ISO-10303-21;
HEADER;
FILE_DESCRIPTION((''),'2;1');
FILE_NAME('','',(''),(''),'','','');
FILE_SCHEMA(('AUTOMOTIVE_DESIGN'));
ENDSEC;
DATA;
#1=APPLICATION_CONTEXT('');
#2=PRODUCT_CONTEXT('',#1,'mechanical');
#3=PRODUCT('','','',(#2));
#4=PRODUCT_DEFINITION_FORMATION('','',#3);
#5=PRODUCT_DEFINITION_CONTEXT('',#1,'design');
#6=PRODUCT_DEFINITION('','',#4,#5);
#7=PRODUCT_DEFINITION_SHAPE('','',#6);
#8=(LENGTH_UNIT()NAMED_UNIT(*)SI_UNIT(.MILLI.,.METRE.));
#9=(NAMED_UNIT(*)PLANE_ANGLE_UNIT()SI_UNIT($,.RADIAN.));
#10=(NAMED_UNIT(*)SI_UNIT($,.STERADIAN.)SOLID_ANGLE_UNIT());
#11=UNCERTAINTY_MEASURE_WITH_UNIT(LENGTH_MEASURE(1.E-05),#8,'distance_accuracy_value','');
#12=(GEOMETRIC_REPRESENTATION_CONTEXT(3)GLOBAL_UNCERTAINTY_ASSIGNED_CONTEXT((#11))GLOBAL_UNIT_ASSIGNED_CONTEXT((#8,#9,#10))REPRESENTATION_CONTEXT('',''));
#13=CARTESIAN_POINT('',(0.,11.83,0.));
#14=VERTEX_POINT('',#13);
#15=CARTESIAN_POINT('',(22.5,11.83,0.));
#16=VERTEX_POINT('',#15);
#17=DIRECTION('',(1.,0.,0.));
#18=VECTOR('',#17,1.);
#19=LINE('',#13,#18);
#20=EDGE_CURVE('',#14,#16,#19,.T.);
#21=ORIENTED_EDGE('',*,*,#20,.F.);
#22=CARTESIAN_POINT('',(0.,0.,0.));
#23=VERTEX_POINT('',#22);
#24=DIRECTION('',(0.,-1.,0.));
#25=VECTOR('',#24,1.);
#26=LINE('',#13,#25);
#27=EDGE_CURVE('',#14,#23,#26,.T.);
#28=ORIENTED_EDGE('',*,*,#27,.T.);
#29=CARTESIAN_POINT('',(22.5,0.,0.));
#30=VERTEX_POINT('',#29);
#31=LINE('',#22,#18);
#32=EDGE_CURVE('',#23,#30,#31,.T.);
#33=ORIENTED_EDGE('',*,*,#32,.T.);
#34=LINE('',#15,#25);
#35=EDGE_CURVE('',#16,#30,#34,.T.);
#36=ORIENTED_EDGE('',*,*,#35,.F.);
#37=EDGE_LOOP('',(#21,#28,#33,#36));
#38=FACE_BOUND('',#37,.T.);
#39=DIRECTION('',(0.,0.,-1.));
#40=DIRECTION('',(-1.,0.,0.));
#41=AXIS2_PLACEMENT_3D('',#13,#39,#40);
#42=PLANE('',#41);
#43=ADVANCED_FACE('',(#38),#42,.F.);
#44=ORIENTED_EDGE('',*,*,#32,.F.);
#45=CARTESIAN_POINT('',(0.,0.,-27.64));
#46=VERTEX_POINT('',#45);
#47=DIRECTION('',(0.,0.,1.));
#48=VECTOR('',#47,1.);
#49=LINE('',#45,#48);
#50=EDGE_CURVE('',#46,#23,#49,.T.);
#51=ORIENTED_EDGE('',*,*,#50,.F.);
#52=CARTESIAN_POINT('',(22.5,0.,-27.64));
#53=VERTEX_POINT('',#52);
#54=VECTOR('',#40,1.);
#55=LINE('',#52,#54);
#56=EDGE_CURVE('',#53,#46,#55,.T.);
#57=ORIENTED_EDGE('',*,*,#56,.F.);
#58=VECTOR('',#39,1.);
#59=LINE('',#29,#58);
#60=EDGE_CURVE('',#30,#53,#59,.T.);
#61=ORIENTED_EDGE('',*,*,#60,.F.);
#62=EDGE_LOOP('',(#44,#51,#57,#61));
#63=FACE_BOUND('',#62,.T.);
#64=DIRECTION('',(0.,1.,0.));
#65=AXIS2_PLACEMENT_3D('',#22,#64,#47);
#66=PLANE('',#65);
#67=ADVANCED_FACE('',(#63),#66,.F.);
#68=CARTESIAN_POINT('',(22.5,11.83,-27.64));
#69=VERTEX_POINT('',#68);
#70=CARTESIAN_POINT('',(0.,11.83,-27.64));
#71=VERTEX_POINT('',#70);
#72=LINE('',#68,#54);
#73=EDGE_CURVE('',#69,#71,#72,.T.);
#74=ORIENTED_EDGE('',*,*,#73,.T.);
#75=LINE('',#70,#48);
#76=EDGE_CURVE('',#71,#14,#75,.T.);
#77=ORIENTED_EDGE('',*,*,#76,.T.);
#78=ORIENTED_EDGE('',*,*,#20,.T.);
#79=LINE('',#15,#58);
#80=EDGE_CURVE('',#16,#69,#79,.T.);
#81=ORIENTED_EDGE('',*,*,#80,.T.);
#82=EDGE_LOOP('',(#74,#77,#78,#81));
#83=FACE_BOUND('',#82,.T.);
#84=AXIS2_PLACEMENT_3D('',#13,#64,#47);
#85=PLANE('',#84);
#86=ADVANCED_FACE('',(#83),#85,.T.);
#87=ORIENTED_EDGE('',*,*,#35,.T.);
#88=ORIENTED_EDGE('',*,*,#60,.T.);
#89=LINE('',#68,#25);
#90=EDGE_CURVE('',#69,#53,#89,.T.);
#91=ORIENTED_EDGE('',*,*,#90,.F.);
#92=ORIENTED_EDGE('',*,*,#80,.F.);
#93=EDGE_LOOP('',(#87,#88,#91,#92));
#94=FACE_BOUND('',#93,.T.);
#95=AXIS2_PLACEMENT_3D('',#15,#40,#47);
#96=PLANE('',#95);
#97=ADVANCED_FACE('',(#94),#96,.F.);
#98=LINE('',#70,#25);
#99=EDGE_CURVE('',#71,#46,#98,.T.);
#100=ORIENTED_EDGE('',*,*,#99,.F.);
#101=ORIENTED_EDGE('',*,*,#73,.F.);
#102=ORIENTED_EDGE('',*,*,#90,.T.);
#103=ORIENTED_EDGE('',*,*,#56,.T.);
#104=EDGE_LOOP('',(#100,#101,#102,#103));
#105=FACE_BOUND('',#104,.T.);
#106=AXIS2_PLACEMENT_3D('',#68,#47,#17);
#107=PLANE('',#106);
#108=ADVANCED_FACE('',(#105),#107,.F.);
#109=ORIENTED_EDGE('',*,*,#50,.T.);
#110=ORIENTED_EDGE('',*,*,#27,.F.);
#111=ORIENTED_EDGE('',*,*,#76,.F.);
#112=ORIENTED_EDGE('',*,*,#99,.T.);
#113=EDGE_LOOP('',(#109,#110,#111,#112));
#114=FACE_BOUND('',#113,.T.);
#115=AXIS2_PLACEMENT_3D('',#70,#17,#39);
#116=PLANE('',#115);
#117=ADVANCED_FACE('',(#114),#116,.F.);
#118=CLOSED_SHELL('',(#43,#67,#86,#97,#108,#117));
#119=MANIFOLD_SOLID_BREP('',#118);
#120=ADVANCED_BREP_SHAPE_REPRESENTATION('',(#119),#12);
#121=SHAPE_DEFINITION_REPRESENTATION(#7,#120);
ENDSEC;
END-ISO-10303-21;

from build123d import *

# Parameters (mm, degrees)
SKIZZE1_W                       = 22.5
SKIZZE1_H                       = 27.64
AUFSATZ_LINEAR_AUSTRAGEN1_DEPTH = 11.83


with BuildPart() as part:
    # Skizze1 → Aufsatz-Linear austragen1 (new body)
    with BuildSketch(Plane(origin=(0, 0, 0), x_dir=(1, 0, 0), z_dir=(0, 1, 0))):
        with Locations((11.25, 13.82)):
            Rectangle(SKIZZE1_W, SKIZZE1_H)
    extrude(amount=AUFSATZ_LINEAR_AUSTRAGEN1_DEPTH)


solid = part.part
